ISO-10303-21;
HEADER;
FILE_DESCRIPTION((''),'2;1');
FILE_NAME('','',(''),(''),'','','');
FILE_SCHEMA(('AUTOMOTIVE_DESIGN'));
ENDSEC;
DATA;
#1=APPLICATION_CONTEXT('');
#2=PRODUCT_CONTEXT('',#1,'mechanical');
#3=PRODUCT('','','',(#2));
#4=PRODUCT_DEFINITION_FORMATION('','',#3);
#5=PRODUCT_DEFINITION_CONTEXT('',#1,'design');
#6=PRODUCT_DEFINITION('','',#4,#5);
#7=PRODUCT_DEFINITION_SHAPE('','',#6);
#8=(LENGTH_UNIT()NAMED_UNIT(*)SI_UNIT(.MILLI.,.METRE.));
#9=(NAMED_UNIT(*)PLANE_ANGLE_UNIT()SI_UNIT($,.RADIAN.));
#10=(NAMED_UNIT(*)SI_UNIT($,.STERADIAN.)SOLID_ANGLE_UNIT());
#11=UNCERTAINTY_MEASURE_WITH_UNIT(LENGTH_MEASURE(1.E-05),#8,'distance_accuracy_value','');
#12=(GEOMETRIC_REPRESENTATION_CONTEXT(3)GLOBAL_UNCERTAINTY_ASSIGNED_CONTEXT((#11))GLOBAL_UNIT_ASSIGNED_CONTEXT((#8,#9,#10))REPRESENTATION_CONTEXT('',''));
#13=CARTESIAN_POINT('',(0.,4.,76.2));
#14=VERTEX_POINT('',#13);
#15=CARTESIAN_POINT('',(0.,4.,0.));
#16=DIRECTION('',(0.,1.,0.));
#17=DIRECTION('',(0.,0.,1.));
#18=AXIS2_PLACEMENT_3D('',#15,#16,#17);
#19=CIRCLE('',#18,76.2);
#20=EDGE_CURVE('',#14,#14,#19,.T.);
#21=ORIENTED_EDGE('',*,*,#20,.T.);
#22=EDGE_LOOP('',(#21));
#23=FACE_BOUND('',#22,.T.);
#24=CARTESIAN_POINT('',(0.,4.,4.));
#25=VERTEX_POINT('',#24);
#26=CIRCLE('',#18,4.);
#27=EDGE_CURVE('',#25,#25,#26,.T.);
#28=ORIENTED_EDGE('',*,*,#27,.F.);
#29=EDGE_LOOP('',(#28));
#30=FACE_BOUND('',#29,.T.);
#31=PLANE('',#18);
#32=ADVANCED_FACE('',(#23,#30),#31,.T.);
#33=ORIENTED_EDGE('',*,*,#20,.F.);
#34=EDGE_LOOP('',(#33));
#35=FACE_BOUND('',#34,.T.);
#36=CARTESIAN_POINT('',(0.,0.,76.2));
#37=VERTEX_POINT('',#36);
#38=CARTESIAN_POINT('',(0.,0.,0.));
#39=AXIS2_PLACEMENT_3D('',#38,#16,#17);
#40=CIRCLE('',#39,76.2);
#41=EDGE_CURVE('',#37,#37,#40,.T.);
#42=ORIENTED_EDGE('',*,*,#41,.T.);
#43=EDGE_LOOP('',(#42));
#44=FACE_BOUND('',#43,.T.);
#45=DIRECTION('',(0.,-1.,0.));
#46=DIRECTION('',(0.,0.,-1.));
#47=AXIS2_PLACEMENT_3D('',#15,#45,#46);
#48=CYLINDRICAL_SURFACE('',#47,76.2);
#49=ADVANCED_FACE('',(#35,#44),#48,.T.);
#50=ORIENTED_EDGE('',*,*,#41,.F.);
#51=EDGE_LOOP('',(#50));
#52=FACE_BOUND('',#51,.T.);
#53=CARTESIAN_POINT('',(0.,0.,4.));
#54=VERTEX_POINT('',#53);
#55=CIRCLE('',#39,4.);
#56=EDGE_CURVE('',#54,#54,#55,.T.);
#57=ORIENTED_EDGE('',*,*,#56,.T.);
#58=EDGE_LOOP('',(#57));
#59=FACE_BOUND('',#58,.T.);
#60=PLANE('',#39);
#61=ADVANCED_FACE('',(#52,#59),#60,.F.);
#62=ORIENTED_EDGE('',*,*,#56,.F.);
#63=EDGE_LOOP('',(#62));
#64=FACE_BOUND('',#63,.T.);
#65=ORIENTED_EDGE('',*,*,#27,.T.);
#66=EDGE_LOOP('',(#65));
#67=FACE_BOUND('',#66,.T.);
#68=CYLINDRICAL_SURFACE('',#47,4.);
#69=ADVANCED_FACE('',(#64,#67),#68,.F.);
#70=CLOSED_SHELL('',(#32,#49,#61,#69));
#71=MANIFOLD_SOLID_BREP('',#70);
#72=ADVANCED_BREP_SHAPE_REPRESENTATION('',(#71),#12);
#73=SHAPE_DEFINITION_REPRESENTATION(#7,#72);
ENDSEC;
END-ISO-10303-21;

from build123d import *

# Parameters (mm, degrees)
SKETCH1_R           = 76.2
SKETCH1_R_2         = 4
BOSS_EXTRUDE1_DEPTH = 4


with BuildPart() as part:
    # Sketch1 → Boss-Extrude1 (new body)
    with BuildSketch(Plane(origin=(0, 0, 0), x_dir=(1, 0, 0), z_dir=(0, 1, 0))):
        with Locations(Location((0, 0, 0), (0, 0, 270))):
            Circle(SKETCH1_R)
        with Locations(Location((0, 0, 0), (0, 0, 270))):
            Circle(SKETCH1_R_2, mode=Mode.SUBTRACT)
    extrude(amount=BOSS_EXTRUDE1_DEPTH)


solid = part.part
